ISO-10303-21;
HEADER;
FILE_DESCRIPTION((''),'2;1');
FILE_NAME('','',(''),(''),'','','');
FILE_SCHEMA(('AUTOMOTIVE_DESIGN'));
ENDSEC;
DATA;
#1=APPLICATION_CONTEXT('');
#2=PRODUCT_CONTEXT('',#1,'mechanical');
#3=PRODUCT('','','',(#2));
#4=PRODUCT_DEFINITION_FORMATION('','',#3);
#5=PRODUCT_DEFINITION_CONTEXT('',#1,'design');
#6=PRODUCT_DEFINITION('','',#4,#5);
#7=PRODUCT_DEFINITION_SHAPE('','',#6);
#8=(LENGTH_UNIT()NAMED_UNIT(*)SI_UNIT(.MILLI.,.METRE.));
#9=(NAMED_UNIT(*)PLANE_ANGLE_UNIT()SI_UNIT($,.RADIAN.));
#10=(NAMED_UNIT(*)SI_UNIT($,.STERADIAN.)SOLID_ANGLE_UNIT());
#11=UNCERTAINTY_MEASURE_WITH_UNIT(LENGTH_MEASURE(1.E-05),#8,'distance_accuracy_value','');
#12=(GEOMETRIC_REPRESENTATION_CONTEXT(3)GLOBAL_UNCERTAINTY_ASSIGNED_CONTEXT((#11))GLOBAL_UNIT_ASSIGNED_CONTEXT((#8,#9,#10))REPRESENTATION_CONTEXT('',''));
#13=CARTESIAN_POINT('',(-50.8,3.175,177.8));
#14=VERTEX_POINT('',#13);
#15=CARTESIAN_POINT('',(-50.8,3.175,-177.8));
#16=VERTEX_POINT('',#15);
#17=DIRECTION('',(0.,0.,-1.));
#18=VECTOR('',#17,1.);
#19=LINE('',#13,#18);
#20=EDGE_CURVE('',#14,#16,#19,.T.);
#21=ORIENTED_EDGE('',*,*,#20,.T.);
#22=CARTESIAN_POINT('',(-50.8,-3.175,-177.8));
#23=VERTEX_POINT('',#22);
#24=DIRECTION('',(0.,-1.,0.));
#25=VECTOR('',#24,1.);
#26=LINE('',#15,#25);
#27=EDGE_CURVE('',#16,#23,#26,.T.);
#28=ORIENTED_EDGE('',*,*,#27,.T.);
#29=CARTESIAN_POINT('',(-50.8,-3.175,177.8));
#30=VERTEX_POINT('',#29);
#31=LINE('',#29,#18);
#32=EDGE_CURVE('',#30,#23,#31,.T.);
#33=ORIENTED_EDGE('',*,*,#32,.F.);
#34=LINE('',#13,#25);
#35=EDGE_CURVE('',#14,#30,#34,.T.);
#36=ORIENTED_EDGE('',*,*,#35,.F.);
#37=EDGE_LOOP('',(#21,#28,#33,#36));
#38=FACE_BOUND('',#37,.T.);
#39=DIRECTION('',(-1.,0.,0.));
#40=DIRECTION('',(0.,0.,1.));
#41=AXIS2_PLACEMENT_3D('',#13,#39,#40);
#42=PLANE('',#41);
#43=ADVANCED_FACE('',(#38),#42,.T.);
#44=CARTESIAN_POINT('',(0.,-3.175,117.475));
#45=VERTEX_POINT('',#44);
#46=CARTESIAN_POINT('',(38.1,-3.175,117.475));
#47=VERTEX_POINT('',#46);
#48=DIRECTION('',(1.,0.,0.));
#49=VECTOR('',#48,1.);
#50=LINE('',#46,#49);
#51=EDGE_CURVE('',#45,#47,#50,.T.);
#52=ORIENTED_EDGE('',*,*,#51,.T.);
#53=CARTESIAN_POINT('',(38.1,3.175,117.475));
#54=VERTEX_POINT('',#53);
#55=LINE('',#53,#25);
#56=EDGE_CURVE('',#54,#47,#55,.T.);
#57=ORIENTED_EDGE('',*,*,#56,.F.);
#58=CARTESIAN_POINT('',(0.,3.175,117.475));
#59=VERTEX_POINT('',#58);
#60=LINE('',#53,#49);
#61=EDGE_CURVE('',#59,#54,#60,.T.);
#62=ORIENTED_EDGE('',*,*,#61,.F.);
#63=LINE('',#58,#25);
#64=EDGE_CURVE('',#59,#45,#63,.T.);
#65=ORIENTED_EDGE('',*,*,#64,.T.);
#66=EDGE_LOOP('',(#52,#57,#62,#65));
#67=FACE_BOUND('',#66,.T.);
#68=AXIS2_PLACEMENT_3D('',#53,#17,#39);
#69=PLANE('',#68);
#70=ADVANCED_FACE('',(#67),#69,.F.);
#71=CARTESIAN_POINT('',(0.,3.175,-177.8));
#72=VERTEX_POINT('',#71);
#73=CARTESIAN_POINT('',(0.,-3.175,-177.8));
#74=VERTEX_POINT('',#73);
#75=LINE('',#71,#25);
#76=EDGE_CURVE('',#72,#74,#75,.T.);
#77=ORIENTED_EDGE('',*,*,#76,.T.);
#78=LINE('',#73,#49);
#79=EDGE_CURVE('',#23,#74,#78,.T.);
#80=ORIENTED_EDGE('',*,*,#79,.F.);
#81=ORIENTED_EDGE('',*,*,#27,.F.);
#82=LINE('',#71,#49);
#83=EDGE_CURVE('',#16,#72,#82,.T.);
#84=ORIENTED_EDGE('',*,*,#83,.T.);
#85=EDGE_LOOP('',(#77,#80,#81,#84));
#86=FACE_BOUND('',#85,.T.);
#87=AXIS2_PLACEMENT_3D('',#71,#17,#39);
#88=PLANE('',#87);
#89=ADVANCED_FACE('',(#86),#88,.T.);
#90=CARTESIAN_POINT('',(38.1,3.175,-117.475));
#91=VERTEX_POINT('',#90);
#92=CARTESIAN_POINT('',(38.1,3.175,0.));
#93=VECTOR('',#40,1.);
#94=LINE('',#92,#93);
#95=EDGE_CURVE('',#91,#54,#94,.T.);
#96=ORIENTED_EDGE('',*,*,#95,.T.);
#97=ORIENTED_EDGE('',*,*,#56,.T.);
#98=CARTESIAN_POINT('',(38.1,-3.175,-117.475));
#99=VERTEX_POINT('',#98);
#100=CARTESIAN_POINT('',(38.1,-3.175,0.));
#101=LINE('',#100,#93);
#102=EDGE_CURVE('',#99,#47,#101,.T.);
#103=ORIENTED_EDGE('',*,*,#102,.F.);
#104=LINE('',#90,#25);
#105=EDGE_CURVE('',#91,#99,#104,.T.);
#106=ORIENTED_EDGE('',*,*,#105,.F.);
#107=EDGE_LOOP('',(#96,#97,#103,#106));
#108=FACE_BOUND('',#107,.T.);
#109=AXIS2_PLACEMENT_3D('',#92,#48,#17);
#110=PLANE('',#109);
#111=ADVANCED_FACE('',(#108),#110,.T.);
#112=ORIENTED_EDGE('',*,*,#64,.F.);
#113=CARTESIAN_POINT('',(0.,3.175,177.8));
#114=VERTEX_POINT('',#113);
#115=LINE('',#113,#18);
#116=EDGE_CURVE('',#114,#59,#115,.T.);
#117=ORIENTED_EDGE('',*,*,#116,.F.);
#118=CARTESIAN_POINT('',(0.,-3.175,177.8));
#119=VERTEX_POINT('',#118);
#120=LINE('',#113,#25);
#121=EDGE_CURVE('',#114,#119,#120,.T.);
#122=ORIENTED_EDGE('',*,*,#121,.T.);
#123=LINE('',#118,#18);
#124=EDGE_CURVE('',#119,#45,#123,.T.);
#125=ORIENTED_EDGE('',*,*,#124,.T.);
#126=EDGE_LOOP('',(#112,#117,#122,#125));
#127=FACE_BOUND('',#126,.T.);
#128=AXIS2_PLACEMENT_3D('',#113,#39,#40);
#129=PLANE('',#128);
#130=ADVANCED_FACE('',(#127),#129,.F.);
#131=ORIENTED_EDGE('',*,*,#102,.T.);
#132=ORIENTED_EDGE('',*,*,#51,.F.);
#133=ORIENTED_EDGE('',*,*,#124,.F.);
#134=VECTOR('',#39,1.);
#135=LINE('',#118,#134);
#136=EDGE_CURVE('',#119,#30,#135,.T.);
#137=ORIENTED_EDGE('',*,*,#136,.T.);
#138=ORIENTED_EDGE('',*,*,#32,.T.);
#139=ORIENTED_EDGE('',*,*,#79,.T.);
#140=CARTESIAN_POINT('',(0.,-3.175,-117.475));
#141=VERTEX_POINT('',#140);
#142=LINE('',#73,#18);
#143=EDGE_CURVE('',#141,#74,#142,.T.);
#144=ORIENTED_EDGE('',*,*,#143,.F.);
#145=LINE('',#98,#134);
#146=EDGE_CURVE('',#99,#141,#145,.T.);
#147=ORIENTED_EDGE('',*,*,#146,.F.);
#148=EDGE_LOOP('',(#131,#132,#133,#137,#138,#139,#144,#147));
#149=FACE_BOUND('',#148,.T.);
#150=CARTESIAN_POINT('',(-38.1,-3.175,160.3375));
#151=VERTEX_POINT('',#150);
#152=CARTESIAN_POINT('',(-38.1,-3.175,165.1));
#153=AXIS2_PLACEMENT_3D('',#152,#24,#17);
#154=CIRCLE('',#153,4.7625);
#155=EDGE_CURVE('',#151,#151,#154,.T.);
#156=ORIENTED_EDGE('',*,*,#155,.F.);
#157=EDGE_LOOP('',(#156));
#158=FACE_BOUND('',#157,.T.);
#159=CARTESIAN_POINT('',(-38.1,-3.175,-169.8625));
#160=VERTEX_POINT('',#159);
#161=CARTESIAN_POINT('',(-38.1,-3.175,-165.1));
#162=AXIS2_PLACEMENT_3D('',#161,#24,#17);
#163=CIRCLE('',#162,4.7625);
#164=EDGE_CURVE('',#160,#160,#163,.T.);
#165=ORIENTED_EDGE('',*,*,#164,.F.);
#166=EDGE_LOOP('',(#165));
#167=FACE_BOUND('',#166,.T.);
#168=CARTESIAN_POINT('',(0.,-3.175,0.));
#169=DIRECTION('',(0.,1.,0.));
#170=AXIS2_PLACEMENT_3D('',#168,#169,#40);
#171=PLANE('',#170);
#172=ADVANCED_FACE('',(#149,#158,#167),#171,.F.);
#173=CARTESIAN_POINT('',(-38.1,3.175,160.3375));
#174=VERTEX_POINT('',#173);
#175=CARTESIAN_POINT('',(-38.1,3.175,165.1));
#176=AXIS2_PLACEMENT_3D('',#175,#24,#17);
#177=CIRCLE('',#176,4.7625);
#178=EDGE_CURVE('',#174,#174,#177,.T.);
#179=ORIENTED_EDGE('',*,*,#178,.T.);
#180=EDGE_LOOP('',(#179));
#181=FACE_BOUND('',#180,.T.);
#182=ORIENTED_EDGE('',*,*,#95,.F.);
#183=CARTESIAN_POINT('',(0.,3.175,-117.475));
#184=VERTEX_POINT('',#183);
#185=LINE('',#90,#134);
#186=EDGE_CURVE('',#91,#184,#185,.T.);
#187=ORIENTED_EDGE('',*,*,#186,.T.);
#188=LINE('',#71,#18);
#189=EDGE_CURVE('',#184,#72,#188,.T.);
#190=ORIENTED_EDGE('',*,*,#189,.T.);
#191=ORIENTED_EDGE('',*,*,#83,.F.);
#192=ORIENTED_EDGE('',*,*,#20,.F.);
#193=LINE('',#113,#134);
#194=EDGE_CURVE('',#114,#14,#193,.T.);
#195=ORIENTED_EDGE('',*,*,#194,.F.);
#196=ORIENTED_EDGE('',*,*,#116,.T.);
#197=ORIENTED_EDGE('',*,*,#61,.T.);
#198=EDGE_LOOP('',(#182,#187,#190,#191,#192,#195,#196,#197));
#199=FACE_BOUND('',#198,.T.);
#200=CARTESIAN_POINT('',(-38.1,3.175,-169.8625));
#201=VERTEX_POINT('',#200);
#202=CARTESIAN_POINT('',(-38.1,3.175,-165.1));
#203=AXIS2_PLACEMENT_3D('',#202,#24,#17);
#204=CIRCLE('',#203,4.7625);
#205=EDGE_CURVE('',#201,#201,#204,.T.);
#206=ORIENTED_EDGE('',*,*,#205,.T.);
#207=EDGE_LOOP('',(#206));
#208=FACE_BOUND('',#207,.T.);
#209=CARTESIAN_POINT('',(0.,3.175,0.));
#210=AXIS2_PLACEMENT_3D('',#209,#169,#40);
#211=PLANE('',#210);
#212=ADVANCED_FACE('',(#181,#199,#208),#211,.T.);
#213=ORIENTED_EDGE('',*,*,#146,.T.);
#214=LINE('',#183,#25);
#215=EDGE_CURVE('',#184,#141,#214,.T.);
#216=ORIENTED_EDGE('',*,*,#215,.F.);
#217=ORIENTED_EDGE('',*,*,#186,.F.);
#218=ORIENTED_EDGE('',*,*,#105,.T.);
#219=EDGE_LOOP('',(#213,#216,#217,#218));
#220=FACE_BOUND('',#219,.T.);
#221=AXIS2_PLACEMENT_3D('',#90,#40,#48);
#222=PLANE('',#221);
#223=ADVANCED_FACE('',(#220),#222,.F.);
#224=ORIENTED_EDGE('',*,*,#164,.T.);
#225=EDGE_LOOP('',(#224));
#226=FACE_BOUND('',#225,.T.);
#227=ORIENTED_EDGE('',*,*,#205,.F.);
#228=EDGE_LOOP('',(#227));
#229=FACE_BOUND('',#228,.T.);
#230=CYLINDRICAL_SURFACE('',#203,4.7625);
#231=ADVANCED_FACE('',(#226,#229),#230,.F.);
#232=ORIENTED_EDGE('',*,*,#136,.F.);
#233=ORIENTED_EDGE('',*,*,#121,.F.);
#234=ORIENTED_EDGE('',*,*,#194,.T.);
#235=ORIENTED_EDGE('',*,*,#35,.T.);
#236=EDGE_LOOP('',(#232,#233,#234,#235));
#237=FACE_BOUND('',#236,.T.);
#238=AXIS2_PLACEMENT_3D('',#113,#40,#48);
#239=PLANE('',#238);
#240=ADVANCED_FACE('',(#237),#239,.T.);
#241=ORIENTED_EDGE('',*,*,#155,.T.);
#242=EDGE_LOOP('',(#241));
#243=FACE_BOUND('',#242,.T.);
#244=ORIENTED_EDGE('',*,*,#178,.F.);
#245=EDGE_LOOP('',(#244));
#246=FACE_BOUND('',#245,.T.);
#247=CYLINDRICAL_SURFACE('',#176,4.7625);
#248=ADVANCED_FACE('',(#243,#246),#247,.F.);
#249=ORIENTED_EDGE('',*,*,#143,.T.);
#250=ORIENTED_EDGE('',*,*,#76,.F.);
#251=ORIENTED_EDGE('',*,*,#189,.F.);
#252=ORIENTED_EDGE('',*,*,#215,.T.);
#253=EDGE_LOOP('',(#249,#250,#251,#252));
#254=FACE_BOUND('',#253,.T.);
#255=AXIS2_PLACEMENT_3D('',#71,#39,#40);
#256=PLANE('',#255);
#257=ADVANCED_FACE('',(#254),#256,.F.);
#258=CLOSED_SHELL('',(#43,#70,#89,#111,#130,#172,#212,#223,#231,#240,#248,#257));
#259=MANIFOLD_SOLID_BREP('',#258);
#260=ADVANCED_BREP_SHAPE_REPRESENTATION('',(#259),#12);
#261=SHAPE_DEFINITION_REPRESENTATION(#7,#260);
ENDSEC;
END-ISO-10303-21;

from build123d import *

# Parameters (mm, degrees)
SKETCH1_W                   = 165.1
SKETCH1_H                   = 38.1
BOSS_EXTRUDE1_DEPTH         = 3.175
F_1_4_0_25_DIAMETER_HOLE1_D = 7.9375
SKETCH4_W                   = 50.8
SKETCH4_H                   = 355.6
SKETCH4_R                   = 4.7625
BOSS_EXTRUDE2_DEPTH         = 6.35
SKETCH5_W                   = 165.1
SKETCH5_H                   = 76.2
CUT_EXTRUDE1_DEPTH          = 271.08036304
SKETCH6_W                   = 38.1
SKETCH6_H                   = 60.325
CUT_EXTRUDE2_DEPTH          = 186.023789011


with BuildPart() as part:
    # Sketch1 → Boss-Extrude1 (new, symmetric)
    with BuildSketch(Plane(origin=(0, 0, 0), x_dir=(1, 0, 0), z_dir=(0, 1, 0))):
        Polygon((0, 0), (0, -177.8), (38.1, -177.8), (38.1, -38.1), (38.1, 0), align=None)
        with Locations((120.65, -19.05)):
            Rectangle(SKETCH1_W, SKETCH1_H)
        with Locations((120.65, 19.05)):
            Rectangle(SKETCH1_W, SKETCH1_H)
        Polygon((0, 177.8), (0, 0), (38.1, 0), (38.1, 38.1), (38.1, 177.8), align=None)
    extrude(amount=BOSS_EXTRUDE1_DEPTH, both=True)

    # 1/4 (0.25) Diameter Hole1 (through all)
    with Locations(Plane(origin=(0, 3.175, 0), x_dir=(1, 0, 0), z_dir=(0, 1, 0))):
        with Locations((190.5, 25.4), (190.5, -25.4)):
            Hole(F_1_4_0_25_DIAMETER_HOLE1_D / 2)

    # Sketch4 → Boss-Extrude2 (add)
    with BuildSketch(Plane.XZ.offset(3.175)):
        with Locations((-25.4, 0)):
            Rectangle(SKETCH4_W, SKETCH4_H)
        with Locations(Location((-38.1, -165.1, 0), (0, 0, 270))):
            Circle(SKETCH4_R, mode=Mode.SUBTRACT)
        with Locations(Location((-38.1, 165.1, 0), (0, 0, 270))):
            Circle(SKETCH4_R, mode=Mode.SUBTRACT)
    extrude(amount=-BOSS_EXTRUDE2_DEPTH)

    # Sketch5 → Cut-Extrude1 (cut, through all)
    with BuildSketch(Plane.XZ.offset(3.175)):
        with Locations((120.65, 0)):
            Rectangle(SKETCH5_W, SKETCH5_H)
    extrude(amount=-CUT_EXTRUDE1_DEPTH, mode=Mode.SUBTRACT)

    # Sketch6 → Cut-Extrude2 (cut, through all)
    with BuildSketch(Plane.XZ.offset(3.175)):
        with Locations((19.05, 147.6375)):
            Rectangle(SKETCH6_W, SKETCH6_H)
        with Locations((19.05, -147.6375)):
            Rectangle(SKETCH6_W, SKETCH6_H)
    extrude(amount=-CUT_EXTRUDE2_DEPTH, mode=Mode.SUBTRACT)


solid = part.part
